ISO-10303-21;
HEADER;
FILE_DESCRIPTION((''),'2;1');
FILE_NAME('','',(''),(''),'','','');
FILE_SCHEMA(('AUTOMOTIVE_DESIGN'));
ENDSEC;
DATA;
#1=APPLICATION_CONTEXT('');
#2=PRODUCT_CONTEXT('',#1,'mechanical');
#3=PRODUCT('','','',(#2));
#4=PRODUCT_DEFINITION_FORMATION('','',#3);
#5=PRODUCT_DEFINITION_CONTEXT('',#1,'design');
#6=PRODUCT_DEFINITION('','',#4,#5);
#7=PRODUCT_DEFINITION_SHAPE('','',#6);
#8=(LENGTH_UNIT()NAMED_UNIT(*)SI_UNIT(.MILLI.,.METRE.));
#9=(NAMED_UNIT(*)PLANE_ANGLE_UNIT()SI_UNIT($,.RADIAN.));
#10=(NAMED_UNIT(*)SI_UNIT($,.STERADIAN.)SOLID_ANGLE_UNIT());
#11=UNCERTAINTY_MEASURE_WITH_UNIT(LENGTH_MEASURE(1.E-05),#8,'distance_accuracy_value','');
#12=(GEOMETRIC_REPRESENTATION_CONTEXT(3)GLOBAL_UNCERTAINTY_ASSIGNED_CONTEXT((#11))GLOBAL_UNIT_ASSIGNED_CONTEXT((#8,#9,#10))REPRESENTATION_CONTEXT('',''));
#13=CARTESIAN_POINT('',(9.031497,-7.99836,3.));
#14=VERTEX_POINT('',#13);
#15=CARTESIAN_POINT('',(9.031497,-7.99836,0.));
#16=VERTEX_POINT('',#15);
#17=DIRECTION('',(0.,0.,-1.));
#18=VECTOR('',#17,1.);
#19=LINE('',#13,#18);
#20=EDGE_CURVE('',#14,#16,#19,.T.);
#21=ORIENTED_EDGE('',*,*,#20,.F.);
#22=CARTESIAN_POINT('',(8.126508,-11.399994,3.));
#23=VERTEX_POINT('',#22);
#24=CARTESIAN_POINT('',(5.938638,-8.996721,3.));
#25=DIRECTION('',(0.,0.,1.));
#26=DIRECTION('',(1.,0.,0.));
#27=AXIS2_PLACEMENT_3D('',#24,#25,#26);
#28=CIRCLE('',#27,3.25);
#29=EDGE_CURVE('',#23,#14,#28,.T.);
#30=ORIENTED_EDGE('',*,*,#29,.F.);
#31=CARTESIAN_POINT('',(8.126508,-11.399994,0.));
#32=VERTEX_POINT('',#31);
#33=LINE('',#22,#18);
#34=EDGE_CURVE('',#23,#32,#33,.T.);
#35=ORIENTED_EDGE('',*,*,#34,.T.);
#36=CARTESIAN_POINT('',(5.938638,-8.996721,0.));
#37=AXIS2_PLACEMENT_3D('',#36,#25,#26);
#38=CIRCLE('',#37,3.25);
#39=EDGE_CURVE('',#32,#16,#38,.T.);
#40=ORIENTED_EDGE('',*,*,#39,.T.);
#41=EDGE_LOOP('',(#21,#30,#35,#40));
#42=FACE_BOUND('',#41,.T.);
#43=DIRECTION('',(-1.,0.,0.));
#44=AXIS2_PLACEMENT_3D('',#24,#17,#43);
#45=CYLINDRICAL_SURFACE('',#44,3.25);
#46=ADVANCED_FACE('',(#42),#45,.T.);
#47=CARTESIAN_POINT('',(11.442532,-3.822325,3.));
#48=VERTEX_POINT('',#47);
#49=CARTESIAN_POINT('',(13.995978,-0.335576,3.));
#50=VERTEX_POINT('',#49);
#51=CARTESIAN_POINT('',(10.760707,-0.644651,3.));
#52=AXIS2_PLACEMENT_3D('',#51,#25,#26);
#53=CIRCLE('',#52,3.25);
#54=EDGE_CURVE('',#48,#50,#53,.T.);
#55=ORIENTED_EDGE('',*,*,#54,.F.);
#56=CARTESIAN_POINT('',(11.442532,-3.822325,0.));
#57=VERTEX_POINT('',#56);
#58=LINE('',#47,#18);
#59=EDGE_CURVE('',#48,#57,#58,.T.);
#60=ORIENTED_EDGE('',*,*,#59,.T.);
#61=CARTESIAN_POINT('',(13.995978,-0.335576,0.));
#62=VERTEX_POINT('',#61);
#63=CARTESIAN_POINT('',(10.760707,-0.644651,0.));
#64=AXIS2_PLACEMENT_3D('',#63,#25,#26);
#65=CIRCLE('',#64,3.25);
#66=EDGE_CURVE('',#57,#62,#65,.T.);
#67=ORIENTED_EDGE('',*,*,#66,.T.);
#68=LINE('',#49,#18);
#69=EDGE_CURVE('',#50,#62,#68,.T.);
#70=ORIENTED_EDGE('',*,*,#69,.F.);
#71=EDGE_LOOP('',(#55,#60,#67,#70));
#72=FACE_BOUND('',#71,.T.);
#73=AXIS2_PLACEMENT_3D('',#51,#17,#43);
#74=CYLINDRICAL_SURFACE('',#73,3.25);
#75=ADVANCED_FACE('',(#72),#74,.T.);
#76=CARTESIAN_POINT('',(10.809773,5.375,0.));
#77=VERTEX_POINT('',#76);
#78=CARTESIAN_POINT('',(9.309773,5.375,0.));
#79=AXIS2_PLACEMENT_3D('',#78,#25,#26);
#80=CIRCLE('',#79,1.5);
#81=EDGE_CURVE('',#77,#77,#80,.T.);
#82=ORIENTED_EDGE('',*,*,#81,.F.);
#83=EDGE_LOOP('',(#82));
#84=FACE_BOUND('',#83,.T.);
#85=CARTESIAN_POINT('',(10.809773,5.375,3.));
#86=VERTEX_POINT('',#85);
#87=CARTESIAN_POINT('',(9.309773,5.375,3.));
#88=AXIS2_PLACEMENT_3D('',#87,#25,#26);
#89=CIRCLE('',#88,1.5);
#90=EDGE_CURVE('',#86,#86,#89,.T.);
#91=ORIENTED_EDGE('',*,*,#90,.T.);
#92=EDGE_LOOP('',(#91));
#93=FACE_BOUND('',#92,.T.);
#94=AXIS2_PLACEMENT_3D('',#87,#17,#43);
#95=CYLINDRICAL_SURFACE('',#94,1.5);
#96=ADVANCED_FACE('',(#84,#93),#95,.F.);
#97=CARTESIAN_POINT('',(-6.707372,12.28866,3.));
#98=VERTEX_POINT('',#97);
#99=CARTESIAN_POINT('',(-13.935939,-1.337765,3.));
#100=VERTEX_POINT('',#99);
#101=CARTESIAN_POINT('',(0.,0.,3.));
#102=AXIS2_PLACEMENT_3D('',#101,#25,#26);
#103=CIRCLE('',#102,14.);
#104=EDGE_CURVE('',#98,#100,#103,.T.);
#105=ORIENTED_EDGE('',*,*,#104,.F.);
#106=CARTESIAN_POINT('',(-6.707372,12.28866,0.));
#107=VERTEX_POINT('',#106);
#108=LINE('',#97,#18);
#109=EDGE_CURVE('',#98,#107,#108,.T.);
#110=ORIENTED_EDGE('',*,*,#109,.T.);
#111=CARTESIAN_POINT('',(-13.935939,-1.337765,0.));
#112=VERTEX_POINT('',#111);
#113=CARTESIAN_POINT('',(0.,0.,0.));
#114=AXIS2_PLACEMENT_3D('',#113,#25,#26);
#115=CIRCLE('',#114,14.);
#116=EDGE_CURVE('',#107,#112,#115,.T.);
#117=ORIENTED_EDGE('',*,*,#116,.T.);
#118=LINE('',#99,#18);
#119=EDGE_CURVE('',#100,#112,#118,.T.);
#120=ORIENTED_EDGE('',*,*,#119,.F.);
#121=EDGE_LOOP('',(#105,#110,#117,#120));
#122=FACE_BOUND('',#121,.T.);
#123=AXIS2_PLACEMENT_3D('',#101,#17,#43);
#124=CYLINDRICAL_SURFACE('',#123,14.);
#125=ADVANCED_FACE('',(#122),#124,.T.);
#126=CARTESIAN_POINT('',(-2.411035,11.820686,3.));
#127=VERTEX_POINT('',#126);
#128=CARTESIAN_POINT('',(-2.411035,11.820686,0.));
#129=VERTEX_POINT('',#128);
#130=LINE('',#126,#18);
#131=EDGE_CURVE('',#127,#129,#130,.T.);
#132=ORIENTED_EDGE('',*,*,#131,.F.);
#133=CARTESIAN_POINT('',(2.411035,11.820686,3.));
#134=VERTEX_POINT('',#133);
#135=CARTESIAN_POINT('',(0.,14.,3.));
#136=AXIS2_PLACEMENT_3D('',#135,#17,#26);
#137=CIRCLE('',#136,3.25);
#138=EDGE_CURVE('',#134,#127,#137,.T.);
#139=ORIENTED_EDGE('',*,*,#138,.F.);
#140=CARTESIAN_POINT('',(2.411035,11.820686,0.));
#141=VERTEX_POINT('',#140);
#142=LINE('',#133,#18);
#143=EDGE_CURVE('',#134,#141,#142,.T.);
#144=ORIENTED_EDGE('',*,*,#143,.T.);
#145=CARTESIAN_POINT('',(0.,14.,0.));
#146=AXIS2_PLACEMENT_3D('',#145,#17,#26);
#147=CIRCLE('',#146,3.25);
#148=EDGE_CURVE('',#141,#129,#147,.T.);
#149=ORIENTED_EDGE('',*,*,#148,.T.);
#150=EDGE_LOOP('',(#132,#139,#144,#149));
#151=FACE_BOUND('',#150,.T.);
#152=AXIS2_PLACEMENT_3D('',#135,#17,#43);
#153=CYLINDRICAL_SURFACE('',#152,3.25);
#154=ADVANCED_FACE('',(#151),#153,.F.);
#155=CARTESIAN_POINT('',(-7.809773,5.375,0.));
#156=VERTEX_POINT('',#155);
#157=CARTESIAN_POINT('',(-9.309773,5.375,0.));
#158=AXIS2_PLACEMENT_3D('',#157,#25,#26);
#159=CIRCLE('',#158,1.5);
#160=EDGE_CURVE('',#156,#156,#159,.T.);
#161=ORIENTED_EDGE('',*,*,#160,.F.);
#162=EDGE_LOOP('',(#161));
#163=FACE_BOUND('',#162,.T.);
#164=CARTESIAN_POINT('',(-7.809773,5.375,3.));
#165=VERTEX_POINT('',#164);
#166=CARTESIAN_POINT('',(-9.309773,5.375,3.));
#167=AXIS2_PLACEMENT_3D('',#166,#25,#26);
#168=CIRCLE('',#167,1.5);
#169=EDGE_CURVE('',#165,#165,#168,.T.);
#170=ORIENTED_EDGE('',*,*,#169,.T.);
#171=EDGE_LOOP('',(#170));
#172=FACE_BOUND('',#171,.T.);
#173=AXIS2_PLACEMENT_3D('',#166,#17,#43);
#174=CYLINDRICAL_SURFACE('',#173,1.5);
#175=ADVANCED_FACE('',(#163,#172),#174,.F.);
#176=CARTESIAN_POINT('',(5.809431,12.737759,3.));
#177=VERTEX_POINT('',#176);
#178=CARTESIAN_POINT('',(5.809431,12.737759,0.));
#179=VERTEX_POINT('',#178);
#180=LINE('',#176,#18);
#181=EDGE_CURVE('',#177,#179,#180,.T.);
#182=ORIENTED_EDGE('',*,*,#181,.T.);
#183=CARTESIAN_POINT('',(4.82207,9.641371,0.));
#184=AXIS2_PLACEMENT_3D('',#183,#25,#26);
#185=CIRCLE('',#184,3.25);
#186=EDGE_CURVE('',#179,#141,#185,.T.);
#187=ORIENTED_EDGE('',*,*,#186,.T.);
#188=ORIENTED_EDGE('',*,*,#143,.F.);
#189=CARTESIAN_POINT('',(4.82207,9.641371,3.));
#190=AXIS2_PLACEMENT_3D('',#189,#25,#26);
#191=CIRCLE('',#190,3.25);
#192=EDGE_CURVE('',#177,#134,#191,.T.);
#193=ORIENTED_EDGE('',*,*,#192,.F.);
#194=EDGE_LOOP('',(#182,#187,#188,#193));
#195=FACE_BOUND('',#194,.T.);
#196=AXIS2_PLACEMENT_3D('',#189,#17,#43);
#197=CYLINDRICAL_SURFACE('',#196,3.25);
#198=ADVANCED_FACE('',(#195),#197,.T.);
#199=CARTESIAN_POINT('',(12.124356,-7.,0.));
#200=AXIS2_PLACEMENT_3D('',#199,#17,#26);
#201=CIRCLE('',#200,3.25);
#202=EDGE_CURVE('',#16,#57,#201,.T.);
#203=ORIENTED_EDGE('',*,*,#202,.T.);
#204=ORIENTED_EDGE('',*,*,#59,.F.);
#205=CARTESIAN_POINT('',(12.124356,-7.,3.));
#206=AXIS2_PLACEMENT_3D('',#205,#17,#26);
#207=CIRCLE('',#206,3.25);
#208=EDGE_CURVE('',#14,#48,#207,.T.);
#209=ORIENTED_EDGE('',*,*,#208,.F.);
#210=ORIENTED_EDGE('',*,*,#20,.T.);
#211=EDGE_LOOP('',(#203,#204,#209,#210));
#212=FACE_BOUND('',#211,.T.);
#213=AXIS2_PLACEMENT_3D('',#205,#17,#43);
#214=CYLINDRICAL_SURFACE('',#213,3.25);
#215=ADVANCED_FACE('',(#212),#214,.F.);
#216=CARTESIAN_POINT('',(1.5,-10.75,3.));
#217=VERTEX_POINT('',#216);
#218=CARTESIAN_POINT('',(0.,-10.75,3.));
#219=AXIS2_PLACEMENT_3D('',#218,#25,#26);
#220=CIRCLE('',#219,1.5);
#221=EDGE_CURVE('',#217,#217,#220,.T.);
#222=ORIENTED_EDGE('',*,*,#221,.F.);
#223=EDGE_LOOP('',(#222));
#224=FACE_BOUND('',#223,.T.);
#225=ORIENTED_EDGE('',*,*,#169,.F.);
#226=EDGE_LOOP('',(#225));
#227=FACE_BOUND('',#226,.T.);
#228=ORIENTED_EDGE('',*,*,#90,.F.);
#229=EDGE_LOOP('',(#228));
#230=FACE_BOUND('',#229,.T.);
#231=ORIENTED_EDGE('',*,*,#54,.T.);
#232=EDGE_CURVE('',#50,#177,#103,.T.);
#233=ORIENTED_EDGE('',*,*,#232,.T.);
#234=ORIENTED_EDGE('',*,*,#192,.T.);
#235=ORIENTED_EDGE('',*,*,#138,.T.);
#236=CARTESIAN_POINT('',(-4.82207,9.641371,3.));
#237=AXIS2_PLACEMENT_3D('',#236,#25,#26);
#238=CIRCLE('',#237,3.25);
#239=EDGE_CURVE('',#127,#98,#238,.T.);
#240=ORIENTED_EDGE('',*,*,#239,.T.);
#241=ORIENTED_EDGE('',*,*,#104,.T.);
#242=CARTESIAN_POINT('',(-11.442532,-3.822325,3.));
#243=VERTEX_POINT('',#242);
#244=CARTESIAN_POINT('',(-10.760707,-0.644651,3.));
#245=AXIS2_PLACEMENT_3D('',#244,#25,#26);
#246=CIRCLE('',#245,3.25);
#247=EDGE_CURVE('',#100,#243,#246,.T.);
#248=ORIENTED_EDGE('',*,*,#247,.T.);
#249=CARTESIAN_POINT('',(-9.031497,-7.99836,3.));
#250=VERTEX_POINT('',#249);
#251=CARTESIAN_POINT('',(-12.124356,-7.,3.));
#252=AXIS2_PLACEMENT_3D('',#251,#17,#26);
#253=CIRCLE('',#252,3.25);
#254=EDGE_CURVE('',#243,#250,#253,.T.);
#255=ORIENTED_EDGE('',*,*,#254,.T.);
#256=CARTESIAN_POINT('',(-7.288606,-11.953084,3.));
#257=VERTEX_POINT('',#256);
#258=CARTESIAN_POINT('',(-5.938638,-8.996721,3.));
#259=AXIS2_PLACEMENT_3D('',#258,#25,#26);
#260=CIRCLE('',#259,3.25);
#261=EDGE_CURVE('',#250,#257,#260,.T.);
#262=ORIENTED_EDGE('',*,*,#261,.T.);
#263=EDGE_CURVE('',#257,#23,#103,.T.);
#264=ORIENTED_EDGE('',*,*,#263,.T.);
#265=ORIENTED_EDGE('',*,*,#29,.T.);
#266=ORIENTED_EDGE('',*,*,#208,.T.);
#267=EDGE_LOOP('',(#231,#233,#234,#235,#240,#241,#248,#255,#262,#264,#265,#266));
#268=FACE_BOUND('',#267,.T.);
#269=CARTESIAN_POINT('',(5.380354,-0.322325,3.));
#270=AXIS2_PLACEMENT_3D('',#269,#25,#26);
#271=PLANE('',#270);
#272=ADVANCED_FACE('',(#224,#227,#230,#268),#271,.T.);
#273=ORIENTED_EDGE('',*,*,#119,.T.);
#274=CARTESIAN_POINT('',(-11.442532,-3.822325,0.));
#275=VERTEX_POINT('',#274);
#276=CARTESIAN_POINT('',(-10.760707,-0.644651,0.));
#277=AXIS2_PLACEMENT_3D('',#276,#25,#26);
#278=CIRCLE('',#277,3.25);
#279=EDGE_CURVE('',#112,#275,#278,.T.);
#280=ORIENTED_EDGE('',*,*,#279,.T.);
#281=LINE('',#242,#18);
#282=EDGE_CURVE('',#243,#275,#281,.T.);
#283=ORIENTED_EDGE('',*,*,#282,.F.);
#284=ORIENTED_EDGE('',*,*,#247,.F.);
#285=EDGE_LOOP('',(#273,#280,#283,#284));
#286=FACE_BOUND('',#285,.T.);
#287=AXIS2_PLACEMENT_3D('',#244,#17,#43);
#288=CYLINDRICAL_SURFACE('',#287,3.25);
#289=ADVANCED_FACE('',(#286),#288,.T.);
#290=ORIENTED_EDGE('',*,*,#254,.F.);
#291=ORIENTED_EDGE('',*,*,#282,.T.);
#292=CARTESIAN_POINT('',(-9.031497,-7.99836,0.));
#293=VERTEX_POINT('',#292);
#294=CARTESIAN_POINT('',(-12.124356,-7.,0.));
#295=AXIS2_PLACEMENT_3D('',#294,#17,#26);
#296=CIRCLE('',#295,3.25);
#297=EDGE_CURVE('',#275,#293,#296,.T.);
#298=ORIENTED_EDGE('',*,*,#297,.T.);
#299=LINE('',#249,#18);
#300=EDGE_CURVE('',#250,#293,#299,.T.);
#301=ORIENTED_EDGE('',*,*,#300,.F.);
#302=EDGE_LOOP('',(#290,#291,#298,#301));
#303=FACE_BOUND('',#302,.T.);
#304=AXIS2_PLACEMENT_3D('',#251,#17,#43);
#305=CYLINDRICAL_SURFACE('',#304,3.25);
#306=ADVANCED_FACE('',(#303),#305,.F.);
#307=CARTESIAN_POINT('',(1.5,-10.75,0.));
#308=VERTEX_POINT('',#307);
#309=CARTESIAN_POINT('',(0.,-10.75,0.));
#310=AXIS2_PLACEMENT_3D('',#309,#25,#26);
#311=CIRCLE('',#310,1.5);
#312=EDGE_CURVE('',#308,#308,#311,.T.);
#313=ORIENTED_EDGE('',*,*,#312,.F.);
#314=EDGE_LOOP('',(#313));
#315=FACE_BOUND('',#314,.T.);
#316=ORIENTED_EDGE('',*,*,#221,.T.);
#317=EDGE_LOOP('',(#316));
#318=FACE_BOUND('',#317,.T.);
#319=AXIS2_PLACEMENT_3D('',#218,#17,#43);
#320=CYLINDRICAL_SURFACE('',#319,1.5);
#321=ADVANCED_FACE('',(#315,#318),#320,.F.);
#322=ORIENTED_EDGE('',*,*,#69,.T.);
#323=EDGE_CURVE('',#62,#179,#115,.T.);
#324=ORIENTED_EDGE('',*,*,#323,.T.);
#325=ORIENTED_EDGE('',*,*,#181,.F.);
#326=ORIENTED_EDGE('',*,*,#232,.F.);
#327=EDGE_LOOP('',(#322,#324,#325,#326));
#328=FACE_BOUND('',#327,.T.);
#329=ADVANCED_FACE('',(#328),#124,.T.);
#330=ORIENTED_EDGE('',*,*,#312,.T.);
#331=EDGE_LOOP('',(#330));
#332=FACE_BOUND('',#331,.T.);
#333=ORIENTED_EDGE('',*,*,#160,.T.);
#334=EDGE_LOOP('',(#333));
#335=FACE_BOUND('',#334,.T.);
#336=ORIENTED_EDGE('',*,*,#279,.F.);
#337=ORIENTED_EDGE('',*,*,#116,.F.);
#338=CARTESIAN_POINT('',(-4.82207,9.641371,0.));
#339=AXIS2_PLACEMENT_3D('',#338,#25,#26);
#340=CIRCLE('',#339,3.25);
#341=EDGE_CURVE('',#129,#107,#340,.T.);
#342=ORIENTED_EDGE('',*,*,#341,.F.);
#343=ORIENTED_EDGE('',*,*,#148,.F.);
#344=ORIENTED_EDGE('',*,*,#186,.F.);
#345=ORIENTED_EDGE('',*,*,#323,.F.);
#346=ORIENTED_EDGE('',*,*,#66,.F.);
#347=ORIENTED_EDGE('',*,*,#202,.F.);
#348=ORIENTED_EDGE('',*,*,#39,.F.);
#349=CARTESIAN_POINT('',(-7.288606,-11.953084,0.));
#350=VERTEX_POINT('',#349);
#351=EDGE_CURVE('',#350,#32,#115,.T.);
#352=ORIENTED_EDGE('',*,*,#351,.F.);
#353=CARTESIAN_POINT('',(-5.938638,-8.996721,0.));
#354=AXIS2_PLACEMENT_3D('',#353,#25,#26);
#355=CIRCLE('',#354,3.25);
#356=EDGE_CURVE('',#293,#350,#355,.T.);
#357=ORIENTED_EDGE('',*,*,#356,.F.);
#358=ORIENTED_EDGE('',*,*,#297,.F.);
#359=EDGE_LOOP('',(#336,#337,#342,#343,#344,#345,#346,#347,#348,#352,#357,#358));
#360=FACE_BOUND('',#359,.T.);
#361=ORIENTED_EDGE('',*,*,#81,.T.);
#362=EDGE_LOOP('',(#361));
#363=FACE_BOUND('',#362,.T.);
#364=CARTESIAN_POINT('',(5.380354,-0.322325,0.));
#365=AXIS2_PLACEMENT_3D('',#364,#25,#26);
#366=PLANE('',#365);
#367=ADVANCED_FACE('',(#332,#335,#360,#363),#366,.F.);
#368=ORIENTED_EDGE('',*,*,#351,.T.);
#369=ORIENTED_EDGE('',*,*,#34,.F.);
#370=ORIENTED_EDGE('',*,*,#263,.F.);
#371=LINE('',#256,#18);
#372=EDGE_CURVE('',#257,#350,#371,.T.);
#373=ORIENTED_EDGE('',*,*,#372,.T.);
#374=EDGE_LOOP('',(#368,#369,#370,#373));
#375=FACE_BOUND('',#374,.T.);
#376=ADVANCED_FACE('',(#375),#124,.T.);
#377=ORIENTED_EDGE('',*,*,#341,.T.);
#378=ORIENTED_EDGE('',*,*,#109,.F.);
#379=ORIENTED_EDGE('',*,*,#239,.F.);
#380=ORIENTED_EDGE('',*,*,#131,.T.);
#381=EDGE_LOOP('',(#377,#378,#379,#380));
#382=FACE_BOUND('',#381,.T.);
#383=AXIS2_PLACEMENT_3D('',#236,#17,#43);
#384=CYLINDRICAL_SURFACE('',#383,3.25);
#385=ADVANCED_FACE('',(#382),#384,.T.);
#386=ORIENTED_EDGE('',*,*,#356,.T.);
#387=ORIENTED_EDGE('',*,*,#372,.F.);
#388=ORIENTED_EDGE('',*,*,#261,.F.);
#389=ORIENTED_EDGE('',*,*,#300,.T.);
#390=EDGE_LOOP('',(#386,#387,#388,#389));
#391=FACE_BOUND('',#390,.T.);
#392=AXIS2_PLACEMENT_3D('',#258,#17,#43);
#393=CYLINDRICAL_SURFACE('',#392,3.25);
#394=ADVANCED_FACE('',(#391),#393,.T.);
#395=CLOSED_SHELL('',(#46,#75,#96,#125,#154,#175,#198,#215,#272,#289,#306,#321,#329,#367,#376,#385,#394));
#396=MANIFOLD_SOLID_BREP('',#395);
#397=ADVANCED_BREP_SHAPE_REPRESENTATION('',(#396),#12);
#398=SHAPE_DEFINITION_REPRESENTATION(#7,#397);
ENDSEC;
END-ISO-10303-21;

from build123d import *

# Parameters (mm, degrees)
ESQUISSE1_R        = 1.5
BOSS_EXTRU_2_DEPTH = 3


with BuildPart() as part:
    # Esquisse1 → Boss.-Extru.2 (new body)
    with BuildSketch(Plane.XY):
        with BuildLine():
            ThreePointArc((-2.411034891, 11.820685714), (0, 10.75), (2.411034891, 11.820685714))
            ThreePointArc((2.411034891, 11.820685714), (3.975330286, 12.779130538), (5.80943088, 12.737759334))
            ThreePointArc((5.80943088, 12.737759334), (11.865562564, 7.430237213), (13.995977593, -0.335575935))
            ThreePointArc((13.995977593, -0.335575935), (13.382779595, -2.564868949), (11.442531564, -3.822325392))
            ThreePointArc((11.442531564, -3.822325392), (9.309773091, -5.375), (9.031496673, -7.998360322))
            ThreePointArc((9.031496673, -7.998360322), (9.079386541, -9.832302285), (8.126507731, -11.399994391))
            ThreePointArc((8.126507731, -11.399994391), (0.5019929, -13.990997217), (-7.288606081, -11.953084179))
            ThreePointArc((-7.288606081, -11.953084179), (-8.912631465, -10.307392628), (-9.031496673, -7.998360322))
            ThreePointArc((-9.031496673, -7.998360322), (-9.309773091, -5.375), (-11.442531564, -3.822325392))
            ThreePointArc((-11.442531564, -3.822325392), (-13.054716827, -2.946828253), (-13.935938611, -1.337764944))
            ThreePointArc((-13.935938611, -1.337764944), (-12.367555464, 6.560760004), (-6.707371512, 12.288660114))
            ThreePointArc((-6.707371512, 12.288660114), (-4.47014813, 12.872261577), (-2.411034891, 11.820685714))
        make_face()
        with Locations((9.309773091, 5.375)):
            Circle(ESQUISSE1_R, mode=Mode.SUBTRACT)
        with Locations((0, -10.75)):
            Circle(ESQUISSE1_R, mode=Mode.SUBTRACT)
        with Locations((-9.309773091, 5.375)):
            Circle(ESQUISSE1_R, mode=Mode.SUBTRACT)
    extrude(amount=BOSS_EXTRU_2_DEPTH)


solid = part.part
